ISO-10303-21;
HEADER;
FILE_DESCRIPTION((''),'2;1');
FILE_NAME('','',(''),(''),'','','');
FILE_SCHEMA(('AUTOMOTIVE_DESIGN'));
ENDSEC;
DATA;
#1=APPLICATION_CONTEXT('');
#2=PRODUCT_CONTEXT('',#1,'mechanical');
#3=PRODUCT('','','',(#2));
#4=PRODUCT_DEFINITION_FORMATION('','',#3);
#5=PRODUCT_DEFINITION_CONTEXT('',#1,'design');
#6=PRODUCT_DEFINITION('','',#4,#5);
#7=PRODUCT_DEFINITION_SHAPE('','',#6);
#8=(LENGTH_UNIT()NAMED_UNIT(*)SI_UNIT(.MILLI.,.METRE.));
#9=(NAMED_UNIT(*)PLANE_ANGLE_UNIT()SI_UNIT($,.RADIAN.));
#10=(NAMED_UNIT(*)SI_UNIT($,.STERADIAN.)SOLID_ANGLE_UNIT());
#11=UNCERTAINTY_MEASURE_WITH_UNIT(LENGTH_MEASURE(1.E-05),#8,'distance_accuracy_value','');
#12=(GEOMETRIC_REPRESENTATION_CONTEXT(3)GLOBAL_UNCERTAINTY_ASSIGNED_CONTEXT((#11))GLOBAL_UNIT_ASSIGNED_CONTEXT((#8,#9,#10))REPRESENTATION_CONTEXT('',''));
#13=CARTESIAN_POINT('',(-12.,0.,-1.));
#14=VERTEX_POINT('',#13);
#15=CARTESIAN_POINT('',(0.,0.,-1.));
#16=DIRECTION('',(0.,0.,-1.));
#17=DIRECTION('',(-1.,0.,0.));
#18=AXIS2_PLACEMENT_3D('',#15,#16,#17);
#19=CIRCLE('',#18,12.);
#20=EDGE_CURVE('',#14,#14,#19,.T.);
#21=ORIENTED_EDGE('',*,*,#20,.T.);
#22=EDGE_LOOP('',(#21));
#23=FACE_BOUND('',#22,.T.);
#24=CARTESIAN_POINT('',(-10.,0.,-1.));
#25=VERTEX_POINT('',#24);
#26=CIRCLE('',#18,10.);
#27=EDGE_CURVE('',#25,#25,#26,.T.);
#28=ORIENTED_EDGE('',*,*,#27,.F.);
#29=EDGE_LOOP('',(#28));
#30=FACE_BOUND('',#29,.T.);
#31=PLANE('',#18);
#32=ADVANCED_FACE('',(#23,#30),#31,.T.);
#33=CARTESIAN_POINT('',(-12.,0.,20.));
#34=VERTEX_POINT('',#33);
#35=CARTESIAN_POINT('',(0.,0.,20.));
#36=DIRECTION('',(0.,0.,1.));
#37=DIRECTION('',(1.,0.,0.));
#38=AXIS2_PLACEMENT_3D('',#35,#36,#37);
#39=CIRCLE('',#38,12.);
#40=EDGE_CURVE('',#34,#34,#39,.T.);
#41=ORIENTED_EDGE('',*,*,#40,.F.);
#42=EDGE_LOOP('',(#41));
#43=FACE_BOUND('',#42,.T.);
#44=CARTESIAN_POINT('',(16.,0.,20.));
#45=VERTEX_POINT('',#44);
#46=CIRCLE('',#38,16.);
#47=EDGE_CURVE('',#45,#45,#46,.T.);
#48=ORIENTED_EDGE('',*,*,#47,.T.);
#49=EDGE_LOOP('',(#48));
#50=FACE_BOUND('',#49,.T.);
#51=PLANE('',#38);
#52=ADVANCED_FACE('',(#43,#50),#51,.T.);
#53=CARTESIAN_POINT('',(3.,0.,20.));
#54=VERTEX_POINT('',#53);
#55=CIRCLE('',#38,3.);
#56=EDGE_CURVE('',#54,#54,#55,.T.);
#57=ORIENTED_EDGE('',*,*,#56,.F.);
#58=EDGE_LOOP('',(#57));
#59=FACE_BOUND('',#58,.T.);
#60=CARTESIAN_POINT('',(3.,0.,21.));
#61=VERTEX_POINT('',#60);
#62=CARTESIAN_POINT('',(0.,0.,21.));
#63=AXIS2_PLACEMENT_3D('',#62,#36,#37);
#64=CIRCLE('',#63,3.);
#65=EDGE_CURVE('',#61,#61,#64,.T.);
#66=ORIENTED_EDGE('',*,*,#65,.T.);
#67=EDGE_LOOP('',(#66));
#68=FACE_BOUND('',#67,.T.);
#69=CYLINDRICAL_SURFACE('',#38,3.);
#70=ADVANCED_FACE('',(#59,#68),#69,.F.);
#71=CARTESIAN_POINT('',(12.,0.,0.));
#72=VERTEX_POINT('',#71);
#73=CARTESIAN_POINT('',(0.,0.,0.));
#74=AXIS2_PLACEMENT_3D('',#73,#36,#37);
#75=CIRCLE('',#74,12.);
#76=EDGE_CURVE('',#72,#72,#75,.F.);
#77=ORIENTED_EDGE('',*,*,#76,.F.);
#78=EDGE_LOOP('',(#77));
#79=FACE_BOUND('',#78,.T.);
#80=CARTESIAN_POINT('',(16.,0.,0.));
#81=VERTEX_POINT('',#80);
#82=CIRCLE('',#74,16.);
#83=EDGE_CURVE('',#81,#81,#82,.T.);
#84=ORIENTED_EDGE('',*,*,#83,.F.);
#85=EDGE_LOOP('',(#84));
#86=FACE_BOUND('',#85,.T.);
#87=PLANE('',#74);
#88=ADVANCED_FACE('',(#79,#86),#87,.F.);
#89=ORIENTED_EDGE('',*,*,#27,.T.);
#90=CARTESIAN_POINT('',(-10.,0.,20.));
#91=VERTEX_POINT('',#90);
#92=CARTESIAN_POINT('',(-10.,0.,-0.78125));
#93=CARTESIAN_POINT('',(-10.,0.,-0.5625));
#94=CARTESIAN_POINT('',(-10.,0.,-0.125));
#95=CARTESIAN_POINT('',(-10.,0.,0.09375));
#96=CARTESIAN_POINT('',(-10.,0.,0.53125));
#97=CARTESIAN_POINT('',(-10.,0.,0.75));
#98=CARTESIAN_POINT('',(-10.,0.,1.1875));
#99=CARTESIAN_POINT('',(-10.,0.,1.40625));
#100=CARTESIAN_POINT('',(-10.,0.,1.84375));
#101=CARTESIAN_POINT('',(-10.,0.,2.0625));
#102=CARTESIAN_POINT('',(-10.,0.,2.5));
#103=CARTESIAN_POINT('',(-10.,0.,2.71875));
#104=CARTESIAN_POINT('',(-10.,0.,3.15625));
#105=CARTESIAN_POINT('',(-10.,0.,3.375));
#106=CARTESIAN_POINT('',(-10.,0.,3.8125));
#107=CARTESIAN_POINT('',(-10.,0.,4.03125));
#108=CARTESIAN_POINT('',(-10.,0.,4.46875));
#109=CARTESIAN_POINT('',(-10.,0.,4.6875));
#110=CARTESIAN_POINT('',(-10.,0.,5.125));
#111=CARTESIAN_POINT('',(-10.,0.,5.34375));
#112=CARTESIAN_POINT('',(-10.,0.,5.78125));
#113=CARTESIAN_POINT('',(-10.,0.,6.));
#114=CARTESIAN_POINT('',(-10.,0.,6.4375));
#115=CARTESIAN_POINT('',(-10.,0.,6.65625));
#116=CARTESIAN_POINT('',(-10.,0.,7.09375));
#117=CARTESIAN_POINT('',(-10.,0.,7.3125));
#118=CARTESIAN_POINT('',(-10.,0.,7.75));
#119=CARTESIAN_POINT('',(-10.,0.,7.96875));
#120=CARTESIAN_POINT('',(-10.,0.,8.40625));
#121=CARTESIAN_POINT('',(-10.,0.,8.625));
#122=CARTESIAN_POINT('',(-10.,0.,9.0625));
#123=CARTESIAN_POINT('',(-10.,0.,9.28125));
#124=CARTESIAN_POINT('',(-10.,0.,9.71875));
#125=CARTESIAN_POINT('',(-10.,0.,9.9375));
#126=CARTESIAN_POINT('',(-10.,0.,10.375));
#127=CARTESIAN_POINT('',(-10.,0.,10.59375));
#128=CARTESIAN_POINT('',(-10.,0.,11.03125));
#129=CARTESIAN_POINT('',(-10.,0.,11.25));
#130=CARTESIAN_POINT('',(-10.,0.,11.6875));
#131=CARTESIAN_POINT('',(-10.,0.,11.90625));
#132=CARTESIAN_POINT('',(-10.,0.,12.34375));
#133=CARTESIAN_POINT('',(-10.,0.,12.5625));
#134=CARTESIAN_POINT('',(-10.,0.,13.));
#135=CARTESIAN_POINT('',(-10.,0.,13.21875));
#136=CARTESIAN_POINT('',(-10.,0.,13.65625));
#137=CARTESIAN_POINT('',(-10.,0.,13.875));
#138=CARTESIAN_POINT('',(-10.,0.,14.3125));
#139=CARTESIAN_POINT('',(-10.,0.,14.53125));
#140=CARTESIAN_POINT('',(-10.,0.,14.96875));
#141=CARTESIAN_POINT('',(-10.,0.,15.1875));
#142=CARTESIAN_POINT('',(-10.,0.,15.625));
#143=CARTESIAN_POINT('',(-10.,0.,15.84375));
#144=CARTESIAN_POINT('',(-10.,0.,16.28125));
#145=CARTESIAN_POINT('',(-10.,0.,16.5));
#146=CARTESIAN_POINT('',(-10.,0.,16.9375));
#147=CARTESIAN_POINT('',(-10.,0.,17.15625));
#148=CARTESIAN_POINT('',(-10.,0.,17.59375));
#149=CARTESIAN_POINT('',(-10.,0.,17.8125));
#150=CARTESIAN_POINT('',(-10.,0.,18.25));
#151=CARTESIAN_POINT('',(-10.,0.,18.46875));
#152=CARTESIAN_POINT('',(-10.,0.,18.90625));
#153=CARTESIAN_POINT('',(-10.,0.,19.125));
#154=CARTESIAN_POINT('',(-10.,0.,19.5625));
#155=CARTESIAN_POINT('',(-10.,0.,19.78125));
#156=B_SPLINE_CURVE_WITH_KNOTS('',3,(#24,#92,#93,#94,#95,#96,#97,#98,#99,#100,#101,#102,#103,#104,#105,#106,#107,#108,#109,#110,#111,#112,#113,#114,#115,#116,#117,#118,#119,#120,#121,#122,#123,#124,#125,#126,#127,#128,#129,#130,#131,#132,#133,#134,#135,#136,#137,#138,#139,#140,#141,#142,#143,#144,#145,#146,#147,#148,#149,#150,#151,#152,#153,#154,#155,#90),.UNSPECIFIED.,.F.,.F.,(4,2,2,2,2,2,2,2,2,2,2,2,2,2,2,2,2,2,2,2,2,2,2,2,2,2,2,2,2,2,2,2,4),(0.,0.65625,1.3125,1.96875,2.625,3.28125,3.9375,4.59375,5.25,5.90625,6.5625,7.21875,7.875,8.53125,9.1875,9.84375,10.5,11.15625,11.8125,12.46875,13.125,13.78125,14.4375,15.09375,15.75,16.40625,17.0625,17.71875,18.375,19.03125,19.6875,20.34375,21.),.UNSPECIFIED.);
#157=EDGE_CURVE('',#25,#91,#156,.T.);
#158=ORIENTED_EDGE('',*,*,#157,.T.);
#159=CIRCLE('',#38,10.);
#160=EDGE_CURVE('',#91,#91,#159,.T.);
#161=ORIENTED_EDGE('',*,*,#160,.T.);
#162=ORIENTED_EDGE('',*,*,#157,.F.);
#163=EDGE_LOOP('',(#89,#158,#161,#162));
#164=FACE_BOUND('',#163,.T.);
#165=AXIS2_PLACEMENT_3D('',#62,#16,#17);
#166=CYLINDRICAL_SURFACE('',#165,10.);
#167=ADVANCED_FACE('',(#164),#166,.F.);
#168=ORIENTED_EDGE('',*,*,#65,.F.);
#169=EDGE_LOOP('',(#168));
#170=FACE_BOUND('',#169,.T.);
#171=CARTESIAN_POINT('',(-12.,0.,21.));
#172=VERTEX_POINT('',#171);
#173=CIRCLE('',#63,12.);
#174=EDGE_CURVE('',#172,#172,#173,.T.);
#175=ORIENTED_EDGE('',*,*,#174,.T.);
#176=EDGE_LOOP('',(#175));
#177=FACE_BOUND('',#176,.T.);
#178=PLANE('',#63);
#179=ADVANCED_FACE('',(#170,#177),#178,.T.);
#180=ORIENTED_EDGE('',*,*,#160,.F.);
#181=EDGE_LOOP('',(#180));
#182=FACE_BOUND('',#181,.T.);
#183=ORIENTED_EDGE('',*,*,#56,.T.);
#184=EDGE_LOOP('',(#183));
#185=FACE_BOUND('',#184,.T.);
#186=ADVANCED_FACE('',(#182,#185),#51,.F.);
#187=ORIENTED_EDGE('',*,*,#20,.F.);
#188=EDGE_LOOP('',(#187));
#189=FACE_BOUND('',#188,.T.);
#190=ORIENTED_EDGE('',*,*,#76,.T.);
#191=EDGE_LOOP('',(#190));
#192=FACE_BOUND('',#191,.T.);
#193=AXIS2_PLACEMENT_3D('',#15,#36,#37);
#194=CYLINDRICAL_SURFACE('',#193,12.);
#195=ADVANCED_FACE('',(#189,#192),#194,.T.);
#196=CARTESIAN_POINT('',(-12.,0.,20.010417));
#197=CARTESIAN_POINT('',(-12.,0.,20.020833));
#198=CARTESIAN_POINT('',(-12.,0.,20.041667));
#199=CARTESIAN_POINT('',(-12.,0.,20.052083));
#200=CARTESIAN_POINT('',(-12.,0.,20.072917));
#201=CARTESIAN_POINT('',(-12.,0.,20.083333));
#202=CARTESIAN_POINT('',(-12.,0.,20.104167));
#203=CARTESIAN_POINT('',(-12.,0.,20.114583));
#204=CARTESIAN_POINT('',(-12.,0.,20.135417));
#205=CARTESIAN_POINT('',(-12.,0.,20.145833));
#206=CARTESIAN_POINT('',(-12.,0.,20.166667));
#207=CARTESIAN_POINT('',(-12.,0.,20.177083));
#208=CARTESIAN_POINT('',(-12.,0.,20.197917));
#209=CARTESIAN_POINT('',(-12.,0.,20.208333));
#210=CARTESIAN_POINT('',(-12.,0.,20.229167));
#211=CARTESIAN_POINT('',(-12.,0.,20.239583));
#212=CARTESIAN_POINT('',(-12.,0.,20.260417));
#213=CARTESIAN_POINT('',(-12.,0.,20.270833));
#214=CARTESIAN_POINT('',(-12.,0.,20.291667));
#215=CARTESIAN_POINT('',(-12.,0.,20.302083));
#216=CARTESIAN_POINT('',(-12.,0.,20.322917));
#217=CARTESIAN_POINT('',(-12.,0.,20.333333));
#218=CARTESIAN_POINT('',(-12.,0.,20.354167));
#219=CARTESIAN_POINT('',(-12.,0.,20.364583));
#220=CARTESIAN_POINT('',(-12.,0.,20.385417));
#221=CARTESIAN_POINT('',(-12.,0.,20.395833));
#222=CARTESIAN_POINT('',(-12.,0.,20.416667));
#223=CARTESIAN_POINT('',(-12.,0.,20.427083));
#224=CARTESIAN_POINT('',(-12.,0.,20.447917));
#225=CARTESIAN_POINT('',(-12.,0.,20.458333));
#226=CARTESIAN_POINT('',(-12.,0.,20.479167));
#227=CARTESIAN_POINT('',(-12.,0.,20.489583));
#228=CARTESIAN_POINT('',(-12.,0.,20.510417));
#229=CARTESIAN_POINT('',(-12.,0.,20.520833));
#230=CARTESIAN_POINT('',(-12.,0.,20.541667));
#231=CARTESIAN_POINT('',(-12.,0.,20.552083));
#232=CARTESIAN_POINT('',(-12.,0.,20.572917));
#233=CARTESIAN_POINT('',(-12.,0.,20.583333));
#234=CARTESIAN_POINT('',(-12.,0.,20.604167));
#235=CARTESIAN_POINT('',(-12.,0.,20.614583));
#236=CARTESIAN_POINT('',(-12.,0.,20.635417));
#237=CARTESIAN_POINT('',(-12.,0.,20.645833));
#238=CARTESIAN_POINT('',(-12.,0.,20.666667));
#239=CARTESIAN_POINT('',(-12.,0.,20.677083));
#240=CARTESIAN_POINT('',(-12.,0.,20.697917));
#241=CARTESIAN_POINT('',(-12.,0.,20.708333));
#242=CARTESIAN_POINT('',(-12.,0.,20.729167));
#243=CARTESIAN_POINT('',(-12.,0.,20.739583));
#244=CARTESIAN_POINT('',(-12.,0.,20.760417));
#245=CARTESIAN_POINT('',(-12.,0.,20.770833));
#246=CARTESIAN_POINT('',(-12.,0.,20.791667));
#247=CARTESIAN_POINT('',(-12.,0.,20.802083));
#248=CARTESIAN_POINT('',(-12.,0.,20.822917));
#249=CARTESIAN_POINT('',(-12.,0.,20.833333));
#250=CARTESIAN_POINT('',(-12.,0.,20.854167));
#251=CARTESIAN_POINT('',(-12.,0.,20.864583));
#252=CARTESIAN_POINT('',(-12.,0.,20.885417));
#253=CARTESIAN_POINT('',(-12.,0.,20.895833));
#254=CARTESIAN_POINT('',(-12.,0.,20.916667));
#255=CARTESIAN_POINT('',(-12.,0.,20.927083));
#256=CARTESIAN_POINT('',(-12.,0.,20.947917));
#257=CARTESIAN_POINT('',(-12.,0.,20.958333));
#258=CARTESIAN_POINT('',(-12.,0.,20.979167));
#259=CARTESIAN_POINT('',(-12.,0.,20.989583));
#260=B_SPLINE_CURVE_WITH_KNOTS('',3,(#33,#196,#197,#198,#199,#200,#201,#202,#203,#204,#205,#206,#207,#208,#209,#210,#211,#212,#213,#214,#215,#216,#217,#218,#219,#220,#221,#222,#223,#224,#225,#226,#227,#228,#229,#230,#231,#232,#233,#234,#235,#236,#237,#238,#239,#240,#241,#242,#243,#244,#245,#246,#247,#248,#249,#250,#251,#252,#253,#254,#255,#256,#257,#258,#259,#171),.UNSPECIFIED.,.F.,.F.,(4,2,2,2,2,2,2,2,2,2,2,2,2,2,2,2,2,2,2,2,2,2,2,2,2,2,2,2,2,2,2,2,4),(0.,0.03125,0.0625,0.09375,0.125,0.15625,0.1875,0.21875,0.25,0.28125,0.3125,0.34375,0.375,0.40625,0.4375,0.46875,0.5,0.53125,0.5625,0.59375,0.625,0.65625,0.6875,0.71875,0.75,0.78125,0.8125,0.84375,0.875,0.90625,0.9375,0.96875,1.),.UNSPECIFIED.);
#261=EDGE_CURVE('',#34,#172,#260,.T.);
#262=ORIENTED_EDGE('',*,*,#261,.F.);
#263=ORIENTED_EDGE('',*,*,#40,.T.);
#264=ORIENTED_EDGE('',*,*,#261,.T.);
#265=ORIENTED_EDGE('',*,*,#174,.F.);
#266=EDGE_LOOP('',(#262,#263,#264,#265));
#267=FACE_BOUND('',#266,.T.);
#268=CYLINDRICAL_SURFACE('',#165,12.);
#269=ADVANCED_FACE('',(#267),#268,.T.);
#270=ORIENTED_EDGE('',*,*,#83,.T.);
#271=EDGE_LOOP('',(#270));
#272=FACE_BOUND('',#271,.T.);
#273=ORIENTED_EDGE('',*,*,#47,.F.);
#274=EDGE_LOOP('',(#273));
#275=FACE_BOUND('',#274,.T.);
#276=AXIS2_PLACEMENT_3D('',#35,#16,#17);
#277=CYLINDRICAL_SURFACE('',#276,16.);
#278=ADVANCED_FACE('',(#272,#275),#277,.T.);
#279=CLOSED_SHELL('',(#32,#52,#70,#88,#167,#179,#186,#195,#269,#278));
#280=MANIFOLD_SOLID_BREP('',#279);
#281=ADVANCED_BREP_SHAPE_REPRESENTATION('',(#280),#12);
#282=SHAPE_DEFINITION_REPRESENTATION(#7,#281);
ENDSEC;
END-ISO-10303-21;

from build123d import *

# Parameters (mm, degrees)
ESBO_O1_R                = 16
ESBO_O1_R_2              = 12
RESSALTO_EXTRUS_O1_DEPTH = 20
ESBO_O2_R                = 12
ESBO_O2_R_2              = 10
RESSALTO_EXTRUS_O2_DEPTH = 1
ESBO_O3_R                = 12
ESBO_O3_R_2              = 10
RESSALTO_EXTRUS_O3_DEPTH = 21
ESBO_O4_R                = 10
ESBO_O4_R_2              = 3
RESSALTO_EXTRUS_O4_DEPTH = 1


with BuildPart() as part:
    # Esboço1 → Ressalto-extrusão1 (new body)
    with BuildSketch(Plane.XY):
        Circle(ESBO_O1_R)
        Circle(ESBO_O1_R_2, mode=Mode.SUBTRACT)
    extrude(amount=RESSALTO_EXTRUS_O1_DEPTH)



with BuildPart() as body_2:
    # Esboço2 → Ressalto-extrusão2 (new body)
    with BuildSketch(Plane(origin=(0, 0, 0), x_dir=(-1, 0, 0), z_dir=(0, 0, -1))):
        with Locations(Location((0, 0, 0), (0, 0, 180))):
            Circle(ESBO_O2_R)
        Circle(ESBO_O2_R_2, mode=Mode.SUBTRACT)
    extrude(amount=RESSALTO_EXTRUS_O2_DEPTH)


with BuildPart() as part_1:
    add(part.part)

    add(body_2.part)  # Ressalto-extrusão3 merges body 2
    # Esboço3 → Ressalto-extrusão3 (add)
    with BuildSketch(Plane.XY):
        with Locations(Location((0, 0, 0), (0, 0, 180))):
            Circle(ESBO_O3_R)
        with Locations(Location((0, 0, 0), (0, 0, 180))):
            Circle(ESBO_O3_R_2, mode=Mode.SUBTRACT)
    extrude(amount=RESSALTO_EXTRUS_O3_DEPTH)

    # Esboço4 → Ressalto-extrusão4 (add)
    with BuildSketch(Plane.XY.offset(21)):
        with Locations(Location((0, 0, 0), (0, 0, 180))):
            Circle(ESBO_O4_R)
        Circle(ESBO_O4_R_2, mode=Mode.SUBTRACT)
    extrude(amount=-RESSALTO_EXTRUS_O4_DEPTH)


solid = part_1.part
